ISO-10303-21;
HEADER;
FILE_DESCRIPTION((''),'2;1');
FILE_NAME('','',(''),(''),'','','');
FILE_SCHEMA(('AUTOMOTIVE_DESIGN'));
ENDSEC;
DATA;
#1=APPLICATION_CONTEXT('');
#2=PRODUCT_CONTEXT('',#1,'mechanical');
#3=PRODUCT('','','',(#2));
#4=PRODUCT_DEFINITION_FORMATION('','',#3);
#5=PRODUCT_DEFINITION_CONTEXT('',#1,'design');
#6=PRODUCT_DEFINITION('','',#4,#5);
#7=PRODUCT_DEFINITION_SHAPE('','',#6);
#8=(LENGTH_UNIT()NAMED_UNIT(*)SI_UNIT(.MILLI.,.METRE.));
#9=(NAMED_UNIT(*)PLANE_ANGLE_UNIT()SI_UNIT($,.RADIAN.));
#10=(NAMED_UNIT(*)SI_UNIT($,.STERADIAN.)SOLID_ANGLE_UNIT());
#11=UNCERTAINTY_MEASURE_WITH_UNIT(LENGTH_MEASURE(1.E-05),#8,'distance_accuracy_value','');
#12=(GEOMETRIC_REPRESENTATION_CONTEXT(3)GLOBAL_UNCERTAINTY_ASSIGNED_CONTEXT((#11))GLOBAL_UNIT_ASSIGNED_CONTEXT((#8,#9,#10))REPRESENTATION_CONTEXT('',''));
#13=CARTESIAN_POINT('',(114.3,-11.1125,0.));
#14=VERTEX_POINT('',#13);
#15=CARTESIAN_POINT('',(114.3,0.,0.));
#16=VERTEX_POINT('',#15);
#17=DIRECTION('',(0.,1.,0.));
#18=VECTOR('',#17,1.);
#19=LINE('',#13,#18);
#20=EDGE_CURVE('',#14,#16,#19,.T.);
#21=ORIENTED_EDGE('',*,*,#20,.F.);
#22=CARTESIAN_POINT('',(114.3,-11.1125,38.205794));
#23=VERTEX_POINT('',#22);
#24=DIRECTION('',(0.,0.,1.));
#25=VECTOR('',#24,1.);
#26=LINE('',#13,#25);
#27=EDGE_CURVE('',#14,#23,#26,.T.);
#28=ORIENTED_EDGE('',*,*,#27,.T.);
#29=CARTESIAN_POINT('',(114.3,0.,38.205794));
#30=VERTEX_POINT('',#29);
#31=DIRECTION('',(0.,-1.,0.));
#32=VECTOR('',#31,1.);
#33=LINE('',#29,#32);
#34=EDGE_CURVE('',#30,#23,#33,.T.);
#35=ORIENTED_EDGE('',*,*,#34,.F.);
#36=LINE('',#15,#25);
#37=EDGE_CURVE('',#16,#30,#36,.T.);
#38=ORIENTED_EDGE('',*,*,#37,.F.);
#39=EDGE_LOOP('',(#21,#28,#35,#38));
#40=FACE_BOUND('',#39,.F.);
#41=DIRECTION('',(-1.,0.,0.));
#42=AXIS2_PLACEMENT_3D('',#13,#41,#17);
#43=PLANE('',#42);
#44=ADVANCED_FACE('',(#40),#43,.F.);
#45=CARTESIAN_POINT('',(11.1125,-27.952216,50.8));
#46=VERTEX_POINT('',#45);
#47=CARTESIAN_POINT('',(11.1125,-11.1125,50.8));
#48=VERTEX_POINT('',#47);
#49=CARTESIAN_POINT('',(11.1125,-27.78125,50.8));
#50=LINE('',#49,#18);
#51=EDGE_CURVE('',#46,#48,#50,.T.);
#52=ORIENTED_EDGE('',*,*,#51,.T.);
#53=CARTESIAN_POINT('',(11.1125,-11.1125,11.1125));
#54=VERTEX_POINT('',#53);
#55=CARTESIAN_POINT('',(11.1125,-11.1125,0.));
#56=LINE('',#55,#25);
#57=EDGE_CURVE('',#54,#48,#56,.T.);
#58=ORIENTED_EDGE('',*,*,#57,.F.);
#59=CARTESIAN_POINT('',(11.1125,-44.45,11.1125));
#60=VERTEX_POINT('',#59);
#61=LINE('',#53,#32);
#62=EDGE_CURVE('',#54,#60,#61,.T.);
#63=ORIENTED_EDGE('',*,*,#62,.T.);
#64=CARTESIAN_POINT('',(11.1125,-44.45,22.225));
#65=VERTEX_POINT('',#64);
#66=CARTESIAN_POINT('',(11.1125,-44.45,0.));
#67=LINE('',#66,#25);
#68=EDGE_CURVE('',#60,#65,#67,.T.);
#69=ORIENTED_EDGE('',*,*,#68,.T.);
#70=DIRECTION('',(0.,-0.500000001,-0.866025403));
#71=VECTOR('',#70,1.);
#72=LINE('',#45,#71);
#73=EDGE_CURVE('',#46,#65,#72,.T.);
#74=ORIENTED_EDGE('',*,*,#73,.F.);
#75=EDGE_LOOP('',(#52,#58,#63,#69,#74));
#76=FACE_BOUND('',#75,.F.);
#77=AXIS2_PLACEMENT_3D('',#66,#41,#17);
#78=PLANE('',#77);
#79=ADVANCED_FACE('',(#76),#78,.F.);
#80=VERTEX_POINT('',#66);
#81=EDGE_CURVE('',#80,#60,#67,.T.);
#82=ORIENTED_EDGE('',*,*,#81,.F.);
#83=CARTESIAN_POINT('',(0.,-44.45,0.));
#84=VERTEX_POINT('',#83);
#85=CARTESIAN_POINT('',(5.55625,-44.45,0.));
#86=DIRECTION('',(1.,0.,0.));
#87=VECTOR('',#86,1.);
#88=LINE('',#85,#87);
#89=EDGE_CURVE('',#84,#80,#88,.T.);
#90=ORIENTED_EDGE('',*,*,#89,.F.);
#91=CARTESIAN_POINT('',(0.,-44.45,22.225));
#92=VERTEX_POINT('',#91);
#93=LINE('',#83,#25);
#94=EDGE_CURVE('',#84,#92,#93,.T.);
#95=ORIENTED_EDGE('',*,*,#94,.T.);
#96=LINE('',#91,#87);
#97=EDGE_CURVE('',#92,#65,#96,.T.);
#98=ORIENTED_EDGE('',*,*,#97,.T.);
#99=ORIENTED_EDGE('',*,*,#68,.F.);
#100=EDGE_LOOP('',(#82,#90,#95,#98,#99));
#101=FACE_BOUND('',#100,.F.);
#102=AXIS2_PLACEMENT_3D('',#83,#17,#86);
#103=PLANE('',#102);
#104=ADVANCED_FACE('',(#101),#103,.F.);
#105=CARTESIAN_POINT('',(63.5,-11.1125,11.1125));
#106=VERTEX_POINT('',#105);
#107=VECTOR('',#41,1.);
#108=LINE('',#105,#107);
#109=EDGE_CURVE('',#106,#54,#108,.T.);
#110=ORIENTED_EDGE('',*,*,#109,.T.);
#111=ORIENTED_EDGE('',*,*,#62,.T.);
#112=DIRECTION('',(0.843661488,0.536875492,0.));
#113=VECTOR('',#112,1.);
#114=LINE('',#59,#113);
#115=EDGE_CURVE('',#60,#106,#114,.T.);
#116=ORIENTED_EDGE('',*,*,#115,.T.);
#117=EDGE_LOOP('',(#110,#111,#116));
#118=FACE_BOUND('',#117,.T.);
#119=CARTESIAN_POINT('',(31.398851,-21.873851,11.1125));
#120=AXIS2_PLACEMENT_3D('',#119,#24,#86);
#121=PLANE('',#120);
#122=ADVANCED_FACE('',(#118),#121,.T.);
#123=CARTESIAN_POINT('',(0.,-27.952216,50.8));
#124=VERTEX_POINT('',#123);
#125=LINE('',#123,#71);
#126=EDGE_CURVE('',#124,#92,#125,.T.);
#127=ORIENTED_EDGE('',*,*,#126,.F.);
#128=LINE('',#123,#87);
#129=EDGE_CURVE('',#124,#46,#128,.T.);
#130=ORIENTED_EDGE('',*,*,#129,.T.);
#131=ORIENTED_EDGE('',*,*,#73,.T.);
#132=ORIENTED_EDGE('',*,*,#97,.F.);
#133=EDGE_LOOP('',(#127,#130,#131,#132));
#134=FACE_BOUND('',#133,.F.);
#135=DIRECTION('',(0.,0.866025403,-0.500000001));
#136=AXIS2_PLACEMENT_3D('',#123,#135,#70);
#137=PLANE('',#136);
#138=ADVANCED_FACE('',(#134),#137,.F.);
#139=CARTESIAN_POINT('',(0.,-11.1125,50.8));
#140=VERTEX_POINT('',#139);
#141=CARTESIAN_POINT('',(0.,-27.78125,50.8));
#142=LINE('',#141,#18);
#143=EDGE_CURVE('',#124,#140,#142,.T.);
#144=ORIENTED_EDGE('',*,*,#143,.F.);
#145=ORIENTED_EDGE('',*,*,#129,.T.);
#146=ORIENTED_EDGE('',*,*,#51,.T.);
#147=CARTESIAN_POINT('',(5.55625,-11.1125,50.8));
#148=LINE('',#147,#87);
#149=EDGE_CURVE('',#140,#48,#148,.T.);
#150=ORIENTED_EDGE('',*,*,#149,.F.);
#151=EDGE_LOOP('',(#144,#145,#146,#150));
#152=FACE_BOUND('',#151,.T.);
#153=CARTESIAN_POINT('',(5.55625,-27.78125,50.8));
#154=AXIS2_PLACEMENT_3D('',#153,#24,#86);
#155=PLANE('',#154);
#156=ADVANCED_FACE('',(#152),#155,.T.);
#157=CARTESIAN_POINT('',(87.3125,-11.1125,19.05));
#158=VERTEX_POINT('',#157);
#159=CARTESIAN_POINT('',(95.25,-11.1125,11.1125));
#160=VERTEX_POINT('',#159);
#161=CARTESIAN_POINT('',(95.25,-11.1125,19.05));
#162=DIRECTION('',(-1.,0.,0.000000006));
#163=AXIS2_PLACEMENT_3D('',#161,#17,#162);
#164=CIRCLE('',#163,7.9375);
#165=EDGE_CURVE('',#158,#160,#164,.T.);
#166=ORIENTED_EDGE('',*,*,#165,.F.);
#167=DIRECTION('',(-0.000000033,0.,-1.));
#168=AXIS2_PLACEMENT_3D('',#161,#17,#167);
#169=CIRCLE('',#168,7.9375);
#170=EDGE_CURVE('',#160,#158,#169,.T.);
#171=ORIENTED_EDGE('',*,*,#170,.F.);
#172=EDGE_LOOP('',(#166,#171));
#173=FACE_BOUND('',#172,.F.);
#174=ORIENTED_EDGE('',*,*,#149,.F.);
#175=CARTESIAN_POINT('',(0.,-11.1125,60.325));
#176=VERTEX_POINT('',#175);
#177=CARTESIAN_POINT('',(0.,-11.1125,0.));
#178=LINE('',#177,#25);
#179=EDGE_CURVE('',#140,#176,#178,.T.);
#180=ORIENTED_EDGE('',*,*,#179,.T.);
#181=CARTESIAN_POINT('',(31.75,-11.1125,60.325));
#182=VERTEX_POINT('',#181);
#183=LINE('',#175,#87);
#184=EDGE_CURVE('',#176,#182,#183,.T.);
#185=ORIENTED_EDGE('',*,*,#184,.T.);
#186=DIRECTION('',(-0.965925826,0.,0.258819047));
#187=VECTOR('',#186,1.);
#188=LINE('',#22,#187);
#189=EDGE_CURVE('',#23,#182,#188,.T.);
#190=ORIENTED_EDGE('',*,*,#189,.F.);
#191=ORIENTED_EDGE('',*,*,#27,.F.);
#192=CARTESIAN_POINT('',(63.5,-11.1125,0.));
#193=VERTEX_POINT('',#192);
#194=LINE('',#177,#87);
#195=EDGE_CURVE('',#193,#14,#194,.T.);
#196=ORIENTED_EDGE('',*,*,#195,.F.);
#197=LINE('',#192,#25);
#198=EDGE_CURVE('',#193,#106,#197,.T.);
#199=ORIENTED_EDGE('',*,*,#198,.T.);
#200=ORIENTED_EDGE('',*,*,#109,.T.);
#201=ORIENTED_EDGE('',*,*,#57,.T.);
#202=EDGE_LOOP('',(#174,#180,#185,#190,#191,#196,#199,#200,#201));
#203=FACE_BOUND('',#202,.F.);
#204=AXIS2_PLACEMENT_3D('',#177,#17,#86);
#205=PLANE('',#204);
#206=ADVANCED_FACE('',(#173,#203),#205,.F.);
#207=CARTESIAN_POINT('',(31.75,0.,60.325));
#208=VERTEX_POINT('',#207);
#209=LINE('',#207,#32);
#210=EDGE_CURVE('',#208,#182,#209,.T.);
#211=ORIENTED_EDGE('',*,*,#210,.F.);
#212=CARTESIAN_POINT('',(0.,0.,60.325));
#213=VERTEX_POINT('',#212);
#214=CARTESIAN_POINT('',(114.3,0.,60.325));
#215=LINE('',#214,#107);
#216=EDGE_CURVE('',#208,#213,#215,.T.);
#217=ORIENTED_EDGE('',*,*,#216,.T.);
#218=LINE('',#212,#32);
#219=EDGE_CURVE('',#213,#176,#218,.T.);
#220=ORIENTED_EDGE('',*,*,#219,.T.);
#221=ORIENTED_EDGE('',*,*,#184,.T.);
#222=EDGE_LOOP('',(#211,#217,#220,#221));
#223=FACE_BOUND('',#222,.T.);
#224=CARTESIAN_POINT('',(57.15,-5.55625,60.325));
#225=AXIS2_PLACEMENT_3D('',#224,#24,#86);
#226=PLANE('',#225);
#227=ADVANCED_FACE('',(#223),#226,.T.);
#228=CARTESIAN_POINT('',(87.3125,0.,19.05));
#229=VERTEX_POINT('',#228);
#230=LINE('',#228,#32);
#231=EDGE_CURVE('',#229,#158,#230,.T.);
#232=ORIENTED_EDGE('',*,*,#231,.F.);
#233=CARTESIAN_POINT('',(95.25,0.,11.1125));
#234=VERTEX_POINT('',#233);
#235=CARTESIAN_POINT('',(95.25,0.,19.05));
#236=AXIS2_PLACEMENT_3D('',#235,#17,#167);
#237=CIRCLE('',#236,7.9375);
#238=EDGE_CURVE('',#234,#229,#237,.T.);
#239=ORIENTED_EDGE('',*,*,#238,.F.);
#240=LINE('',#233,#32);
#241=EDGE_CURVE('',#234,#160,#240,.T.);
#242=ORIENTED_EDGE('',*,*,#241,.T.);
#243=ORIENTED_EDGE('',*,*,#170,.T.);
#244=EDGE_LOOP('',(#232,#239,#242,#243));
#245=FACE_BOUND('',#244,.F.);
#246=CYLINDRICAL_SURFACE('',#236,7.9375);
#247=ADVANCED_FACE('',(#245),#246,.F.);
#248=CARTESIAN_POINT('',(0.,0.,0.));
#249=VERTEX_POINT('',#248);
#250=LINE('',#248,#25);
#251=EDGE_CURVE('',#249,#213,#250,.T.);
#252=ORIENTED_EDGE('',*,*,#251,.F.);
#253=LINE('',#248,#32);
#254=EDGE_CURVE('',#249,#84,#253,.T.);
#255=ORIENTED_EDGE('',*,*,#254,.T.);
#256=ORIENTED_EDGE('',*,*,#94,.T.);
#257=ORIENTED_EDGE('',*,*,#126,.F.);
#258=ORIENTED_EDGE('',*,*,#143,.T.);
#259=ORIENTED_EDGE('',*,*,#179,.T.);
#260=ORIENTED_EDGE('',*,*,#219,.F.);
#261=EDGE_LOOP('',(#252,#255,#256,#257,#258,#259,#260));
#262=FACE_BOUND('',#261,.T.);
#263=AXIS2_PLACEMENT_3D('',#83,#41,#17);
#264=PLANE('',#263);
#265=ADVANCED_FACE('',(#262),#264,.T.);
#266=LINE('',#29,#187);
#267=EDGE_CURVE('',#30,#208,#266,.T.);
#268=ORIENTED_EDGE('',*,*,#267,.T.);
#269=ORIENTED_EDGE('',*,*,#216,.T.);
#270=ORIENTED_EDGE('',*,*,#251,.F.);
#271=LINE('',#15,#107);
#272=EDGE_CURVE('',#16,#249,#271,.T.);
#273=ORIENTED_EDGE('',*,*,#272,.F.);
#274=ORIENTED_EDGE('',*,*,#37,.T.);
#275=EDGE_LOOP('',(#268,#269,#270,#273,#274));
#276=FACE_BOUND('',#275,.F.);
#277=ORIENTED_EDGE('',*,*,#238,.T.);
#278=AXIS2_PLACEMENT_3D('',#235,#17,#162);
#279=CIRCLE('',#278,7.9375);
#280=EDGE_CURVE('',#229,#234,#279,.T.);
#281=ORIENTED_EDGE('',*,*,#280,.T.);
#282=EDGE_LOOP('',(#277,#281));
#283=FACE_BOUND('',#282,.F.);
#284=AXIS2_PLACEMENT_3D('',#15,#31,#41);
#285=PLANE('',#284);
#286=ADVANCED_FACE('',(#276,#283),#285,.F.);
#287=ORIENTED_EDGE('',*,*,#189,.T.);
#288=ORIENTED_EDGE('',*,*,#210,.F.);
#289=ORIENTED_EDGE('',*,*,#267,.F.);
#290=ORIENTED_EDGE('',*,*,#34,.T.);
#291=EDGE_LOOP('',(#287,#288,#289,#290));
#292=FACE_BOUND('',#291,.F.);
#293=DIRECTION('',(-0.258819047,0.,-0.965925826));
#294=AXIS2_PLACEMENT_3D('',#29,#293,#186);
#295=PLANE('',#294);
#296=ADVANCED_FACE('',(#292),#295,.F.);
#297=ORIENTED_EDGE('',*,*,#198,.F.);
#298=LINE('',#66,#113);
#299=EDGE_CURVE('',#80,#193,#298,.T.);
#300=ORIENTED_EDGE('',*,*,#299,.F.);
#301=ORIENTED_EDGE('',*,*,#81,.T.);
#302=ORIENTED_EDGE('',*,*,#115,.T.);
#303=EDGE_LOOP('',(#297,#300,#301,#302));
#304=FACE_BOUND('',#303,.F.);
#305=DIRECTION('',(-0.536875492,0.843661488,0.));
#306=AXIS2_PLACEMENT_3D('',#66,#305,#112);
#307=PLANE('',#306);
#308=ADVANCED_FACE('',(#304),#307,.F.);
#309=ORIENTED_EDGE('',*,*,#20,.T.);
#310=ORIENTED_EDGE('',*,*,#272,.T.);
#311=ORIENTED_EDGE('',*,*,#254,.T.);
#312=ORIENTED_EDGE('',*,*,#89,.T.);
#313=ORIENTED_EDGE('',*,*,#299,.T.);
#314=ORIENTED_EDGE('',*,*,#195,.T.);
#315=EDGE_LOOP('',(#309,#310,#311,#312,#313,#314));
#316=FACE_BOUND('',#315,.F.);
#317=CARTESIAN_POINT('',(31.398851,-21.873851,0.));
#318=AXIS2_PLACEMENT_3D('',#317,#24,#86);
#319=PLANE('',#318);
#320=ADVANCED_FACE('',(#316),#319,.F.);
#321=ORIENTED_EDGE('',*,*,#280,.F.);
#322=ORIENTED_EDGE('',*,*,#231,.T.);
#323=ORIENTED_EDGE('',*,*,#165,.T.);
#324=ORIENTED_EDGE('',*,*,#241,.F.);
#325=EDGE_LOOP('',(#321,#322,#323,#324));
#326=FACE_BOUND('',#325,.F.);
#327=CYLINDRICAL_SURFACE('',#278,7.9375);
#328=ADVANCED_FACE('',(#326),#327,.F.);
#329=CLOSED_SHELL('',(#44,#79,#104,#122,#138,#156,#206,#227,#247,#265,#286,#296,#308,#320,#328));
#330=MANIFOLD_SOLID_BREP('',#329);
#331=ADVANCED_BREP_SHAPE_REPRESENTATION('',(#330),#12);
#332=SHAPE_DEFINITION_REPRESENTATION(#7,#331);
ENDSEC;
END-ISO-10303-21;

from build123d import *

# Parameters (mm, degrees)
F1_DEPTH = 60.325
F0_W     = 11.1125
F0_H     = 33.3375
F2_DEPTH = 50.8
F3_DEPTH = 11.1125
F5_DEPTH = 11.1125
F7_DEPTH = 11.1125


with BuildPart() as f1:
    # F0 (on Top) → F1 (new body)
    with BuildSketch(Plane.XY):
        Polygon((114.3, 0), (0, 0), (0, -11.1125), (11.1125, -11.1125), (63.5, -11.1125), (114.3, -11.1125), align=None)
    extrude(amount=F1_DEPTH)

    # F0 (on Top) → F2 (join)
    with BuildSketch(Plane.XY):
        with Locations((5.55625, -27.78125)):
            Rectangle(F0_W, F0_H)
    extrude(amount=F2_DEPTH)

    # F0 (on Top) → F3 (join)
    with BuildSketch(Plane.XY):
        Polygon((63.5, -11.1125), (11.1125, -11.1125), (11.1125, -44.45), align=None)
    extrude(amount=F3_DEPTH)

    # F4 (on face) → F5 (cut, through all)
    with BuildSketch(Plane(origin=(0, 0, 0), x_dir=(0, -1, 0), z_dir=(-1, 0, 0))):
        Polygon((27.952216, 50.8), (44.45, 22.225), (44.45, 50.8), align=None)
    extrude(amount=-F5_DEPTH, mode=Mode.SUBTRACT)

    # F6 (on face) → F7 (cut, through all)
    with BuildSketch(Plane(origin=(0, 0, 0), x_dir=(-1, 0, 0), z_dir=(0, 1, 0))):
        with BuildLine():
            ThreePointArc((-87.3125, 19.05), (-100.86266, 24.66266), (-95.25, 11.1125))
            ThreePointArc((-95.25, 11.1125), (-89.63734, 13.43734), (-87.3125, 19.05))
        make_face()
        Polygon((-114.3, 38.205794), (-31.75, 60.325), (-114.3, 60.325), align=None)
    extrude(amount=-F7_DEPTH, mode=Mode.SUBTRACT)


solid = f1.part
